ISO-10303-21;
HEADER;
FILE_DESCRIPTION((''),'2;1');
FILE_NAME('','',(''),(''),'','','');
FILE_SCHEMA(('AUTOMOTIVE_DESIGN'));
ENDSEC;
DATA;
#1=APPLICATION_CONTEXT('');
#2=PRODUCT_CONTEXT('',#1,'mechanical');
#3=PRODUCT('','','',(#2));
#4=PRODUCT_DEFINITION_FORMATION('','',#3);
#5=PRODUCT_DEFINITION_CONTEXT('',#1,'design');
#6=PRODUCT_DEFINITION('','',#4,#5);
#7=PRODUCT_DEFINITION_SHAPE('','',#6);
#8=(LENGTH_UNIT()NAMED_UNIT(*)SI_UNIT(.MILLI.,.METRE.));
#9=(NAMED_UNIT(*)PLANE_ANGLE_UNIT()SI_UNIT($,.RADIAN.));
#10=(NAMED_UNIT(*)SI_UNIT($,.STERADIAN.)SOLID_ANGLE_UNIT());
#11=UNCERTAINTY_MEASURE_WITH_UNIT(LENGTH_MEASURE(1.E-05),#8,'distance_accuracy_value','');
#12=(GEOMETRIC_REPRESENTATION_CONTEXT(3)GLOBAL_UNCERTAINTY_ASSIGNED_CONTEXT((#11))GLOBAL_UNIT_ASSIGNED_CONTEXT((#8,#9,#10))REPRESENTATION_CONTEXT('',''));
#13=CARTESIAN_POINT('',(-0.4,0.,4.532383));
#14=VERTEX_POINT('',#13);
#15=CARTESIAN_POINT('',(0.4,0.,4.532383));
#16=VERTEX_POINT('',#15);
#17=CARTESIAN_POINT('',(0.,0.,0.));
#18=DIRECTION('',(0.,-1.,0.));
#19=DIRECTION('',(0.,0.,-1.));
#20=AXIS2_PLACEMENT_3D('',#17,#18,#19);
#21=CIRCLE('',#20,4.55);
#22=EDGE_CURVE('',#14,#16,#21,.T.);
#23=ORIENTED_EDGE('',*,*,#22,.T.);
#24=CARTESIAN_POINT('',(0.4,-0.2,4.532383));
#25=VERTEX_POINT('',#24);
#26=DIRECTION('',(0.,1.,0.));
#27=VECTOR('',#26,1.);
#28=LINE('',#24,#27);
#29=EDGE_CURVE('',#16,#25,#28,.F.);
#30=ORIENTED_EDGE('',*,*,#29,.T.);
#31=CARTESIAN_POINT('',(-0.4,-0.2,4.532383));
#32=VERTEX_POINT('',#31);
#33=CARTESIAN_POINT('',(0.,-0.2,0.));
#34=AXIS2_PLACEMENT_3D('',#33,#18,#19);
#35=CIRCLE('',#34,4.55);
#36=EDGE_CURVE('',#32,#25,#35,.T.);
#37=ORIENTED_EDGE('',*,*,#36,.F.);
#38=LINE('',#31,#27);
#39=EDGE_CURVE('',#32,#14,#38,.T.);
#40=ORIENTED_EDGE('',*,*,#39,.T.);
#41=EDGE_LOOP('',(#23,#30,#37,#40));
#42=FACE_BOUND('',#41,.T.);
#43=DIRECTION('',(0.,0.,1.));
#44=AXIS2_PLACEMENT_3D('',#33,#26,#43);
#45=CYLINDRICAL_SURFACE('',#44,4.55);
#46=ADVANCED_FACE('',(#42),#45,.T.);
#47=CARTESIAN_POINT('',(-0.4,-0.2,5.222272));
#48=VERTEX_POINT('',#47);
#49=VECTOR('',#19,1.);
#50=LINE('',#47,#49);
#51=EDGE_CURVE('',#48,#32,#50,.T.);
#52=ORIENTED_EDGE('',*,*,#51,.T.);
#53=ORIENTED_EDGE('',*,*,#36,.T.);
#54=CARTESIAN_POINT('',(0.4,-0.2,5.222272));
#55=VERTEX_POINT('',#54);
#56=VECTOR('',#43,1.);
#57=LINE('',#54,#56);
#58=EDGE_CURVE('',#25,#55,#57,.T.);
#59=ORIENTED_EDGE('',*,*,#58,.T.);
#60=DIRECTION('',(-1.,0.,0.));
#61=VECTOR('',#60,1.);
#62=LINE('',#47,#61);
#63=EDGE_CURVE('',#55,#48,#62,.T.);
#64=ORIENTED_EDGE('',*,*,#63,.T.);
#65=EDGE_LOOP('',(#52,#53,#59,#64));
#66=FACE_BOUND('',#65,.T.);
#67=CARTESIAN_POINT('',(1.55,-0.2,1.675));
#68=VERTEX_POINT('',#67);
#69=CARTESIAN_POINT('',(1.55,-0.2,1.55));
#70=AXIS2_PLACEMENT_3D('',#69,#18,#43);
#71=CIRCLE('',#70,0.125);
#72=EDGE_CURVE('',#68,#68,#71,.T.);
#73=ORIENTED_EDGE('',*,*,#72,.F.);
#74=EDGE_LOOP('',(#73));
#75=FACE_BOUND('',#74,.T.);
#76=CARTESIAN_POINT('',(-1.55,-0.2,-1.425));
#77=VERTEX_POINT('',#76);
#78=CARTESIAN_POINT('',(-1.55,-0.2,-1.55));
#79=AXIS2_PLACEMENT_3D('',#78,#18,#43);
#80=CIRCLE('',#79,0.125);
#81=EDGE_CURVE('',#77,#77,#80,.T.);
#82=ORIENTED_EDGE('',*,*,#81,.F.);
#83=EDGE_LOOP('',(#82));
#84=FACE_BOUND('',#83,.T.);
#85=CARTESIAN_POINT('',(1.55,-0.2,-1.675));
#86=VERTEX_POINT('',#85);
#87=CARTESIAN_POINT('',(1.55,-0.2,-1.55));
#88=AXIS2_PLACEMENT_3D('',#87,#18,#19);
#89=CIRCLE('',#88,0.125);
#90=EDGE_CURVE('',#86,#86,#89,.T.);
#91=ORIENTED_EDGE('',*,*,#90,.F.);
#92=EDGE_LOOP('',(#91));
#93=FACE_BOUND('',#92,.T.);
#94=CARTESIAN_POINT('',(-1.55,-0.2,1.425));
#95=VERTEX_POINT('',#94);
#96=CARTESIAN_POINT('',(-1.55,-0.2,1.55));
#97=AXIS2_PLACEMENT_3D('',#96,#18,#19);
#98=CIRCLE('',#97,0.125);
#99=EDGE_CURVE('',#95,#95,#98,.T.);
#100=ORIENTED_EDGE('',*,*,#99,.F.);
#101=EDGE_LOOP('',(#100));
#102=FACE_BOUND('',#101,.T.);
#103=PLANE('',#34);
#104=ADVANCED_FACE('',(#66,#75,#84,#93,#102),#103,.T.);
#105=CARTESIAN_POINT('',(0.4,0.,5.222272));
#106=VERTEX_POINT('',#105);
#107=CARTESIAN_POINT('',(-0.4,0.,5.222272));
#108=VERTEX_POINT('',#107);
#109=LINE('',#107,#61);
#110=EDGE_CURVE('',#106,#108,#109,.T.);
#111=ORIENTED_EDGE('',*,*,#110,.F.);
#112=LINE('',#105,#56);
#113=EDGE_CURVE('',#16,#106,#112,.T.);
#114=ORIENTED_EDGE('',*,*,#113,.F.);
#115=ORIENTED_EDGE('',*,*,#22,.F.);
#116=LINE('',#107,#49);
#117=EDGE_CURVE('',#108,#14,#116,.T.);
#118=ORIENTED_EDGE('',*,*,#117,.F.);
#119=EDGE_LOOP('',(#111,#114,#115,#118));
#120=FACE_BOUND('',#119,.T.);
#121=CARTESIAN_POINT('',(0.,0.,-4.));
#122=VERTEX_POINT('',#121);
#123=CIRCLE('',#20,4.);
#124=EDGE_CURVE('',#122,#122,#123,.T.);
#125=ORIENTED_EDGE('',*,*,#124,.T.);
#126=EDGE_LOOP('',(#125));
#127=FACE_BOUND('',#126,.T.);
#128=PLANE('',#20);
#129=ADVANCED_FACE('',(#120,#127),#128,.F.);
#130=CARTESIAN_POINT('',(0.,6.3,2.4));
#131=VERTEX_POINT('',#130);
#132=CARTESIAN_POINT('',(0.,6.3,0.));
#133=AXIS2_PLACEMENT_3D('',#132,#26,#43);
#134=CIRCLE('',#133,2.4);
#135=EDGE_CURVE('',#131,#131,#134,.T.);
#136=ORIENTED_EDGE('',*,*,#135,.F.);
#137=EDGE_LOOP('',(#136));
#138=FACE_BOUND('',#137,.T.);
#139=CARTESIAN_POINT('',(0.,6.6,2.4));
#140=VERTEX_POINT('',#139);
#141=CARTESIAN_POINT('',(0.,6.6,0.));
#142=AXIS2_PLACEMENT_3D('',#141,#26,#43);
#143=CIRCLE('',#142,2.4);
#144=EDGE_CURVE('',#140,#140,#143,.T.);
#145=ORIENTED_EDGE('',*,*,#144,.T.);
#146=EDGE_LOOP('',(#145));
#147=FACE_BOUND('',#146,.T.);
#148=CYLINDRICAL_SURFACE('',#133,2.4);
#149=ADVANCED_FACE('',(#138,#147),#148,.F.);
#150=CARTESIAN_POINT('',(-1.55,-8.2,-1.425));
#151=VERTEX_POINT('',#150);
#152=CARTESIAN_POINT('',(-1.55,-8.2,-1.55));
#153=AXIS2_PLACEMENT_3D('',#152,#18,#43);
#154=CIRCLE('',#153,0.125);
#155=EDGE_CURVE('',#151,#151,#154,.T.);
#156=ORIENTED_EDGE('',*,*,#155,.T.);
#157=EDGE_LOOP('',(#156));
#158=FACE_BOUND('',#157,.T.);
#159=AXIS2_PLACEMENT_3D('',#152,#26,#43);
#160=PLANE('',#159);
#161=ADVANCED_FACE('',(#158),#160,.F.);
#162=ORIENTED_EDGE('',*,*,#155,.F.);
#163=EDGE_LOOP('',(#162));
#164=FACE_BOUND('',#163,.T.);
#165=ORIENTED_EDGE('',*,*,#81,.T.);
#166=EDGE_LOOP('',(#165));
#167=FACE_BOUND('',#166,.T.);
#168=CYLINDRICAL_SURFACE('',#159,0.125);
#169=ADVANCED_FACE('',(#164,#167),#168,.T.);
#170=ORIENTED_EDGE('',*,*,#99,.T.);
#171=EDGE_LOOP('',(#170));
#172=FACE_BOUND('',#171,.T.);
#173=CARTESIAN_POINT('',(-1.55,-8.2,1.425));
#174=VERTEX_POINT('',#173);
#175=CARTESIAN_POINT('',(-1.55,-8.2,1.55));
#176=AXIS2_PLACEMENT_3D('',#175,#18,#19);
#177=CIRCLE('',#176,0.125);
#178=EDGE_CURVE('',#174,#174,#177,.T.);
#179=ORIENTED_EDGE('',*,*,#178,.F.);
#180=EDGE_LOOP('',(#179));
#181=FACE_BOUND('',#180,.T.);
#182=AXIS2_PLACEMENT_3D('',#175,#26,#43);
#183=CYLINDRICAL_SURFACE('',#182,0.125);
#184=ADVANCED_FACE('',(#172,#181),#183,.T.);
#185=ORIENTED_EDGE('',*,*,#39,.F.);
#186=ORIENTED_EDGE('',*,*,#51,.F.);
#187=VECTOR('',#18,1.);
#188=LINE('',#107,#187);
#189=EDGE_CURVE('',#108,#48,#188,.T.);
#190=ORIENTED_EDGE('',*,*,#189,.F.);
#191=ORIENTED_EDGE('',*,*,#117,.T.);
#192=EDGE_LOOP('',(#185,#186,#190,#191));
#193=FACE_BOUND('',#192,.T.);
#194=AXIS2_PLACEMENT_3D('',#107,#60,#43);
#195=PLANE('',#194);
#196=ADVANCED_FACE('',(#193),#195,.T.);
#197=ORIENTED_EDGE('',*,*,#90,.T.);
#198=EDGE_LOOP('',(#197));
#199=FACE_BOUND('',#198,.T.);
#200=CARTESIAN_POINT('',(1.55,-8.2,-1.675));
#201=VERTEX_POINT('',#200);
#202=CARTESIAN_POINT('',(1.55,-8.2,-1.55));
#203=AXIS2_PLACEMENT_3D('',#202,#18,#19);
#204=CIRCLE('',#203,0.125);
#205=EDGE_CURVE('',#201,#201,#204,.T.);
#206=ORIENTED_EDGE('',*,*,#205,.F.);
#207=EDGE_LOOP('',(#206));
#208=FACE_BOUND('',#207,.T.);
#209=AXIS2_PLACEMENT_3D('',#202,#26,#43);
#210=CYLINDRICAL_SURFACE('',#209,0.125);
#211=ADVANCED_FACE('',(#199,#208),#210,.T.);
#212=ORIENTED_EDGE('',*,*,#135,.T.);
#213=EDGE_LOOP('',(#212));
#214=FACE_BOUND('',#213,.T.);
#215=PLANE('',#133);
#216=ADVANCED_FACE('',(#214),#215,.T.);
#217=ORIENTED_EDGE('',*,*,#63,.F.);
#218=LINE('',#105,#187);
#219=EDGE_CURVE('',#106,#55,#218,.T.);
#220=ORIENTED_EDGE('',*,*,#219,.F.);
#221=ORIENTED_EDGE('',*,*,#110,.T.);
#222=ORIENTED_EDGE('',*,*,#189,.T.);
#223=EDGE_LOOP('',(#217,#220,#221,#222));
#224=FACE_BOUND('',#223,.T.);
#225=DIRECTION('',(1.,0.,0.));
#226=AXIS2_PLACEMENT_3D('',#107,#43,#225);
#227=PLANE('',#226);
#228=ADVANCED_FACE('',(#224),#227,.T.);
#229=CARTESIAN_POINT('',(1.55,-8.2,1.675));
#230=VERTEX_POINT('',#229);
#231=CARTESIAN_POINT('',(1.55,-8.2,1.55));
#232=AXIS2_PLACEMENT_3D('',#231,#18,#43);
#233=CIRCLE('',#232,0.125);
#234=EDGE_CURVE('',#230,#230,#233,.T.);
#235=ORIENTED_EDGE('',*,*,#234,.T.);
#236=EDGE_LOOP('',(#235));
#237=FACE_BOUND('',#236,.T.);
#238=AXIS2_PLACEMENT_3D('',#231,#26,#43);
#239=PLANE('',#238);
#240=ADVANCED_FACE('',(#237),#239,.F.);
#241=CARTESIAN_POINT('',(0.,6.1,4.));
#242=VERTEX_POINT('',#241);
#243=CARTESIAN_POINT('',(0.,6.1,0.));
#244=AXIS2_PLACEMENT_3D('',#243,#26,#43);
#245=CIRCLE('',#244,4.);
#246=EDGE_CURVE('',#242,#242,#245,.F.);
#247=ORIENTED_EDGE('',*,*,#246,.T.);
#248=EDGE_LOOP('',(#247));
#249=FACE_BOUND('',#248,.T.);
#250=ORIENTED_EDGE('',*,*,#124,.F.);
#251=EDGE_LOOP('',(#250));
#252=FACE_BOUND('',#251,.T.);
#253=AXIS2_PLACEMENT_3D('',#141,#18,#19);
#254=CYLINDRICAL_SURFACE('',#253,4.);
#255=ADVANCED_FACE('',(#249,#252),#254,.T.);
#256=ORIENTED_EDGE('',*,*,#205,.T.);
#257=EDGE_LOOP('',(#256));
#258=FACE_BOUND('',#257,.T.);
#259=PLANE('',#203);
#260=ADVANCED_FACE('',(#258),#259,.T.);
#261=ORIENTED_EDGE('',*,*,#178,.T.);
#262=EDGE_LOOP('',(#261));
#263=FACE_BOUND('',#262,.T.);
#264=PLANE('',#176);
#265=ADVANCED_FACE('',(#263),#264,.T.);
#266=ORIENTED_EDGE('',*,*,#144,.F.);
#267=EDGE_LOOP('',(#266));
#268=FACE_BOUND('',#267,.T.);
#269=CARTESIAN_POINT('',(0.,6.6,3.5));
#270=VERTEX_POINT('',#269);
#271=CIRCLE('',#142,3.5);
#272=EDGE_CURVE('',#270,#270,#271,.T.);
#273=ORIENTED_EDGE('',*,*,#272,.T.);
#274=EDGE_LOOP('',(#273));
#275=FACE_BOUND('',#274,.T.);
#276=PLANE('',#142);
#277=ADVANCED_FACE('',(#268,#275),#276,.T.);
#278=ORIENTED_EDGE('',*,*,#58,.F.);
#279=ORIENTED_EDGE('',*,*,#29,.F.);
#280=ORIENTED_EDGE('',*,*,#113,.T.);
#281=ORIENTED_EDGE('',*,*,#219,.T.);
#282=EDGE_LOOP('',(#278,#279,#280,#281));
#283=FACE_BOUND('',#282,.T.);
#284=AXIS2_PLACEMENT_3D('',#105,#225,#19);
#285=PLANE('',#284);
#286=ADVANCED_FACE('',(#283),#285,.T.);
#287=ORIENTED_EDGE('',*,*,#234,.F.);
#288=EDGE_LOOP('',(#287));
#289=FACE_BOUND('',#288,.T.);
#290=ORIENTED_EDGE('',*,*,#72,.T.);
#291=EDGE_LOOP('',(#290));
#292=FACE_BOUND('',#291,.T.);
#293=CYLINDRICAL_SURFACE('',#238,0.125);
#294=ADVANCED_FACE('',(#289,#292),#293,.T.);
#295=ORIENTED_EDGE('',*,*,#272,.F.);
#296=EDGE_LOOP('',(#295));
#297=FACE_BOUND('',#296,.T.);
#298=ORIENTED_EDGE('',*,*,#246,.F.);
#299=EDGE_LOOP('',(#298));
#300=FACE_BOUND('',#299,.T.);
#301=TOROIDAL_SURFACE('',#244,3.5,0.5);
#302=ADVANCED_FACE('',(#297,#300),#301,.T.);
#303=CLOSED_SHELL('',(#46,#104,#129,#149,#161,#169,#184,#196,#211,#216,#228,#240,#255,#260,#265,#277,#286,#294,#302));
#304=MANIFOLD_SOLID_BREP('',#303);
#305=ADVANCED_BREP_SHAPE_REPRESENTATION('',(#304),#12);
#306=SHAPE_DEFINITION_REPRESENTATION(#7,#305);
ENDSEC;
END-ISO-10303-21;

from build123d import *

# Parameters (mm, degrees)
SKETCH_1_R          = 4
EXTRUDE_1_DEPTH     = 6.6
SKETCH_2_R          = 4.55
EXTRUDE_2_DEPTH     = 0.2
SKETCH_5_W          = 0.8
SKETCH_5_H          = 0.992889455
EXTRUDE_4_DEPTH     = 0.2
SKETCH_4_R          = 2.4
CUT_EXTRUDE_1_DEPTH = 0.3
FILLET_1_R          = 0.5
SKETCH_3_R          = 0.125
EXTRUDE_3_DEPTH     = 8


with BuildPart() as part:
    # 草图1 → 凸台-拉伸1 (new body)
    with BuildSketch(Plane(origin=(0, 0, 0), x_dir=(1, 0, 0), z_dir=(0, 1, 0))):
        with Locations(Location((0, 0, 0), (0, 0, 270))):
            Circle(SKETCH_1_R)
    extrude(amount=EXTRUDE_1_DEPTH)

    # 草图2 → 凸台-拉伸2 (add)
    with BuildSketch(Plane.XZ):
        with Locations(Location((0, 0, 0), (0, 0, 270))):
            Circle(SKETCH_2_R)
    extrude(amount=EXTRUDE_2_DEPTH)

    # 草图5 → 凸台-拉伸4 (add)
    with BuildSketch(Plane.XZ.offset(0.2)):
        with Locations((0, 4.725827174)):
            Rectangle(SKETCH_5_W, SKETCH_5_H)
    extrude(amount=-EXTRUDE_4_DEPTH)

    # 草图4 → 切除-拉伸1 (cut)
    with BuildSketch(Plane(origin=(0, 6.6, 0), x_dir=(1, 0, 0), z_dir=(0, 1, 0))):
        with Locations(Location((0, 0, 0), (0, 0, 270))):
            Circle(SKETCH_4_R)
    extrude(amount=-CUT_EXTRUDE_1_DEPTH, mode=Mode.SUBTRACT)

    # 圆角1
    fillet_1_edges = [part.edges().sort_by_distance(p)[0] for p in [
        (0, 6.6, -4),
    ]]
    fillet(fillet_1_edges, radius=FILLET_1_R)

    # 草图3 → 凸台-拉伸3 (add)
    with BuildSketch(Plane.XZ.offset(0.2)):
        with Locations(Location((-1.55, 1.55, 0), (0, 0, 270))):
            Circle(SKETCH_3_R)
        with Locations(Location((1.55, 1.55, 0), (0, 0, 90))):
            Circle(SKETCH_3_R)
        with Locations(Location((1.55, -1.55, 0), (0, 0, 270))):
            Circle(SKETCH_3_R)
        with Locations(Location((-1.55, -1.55, 0), (0, 0, 90))):
            Circle(SKETCH_3_R)
    extrude(amount=EXTRUDE_3_DEPTH)


solid = part.part
